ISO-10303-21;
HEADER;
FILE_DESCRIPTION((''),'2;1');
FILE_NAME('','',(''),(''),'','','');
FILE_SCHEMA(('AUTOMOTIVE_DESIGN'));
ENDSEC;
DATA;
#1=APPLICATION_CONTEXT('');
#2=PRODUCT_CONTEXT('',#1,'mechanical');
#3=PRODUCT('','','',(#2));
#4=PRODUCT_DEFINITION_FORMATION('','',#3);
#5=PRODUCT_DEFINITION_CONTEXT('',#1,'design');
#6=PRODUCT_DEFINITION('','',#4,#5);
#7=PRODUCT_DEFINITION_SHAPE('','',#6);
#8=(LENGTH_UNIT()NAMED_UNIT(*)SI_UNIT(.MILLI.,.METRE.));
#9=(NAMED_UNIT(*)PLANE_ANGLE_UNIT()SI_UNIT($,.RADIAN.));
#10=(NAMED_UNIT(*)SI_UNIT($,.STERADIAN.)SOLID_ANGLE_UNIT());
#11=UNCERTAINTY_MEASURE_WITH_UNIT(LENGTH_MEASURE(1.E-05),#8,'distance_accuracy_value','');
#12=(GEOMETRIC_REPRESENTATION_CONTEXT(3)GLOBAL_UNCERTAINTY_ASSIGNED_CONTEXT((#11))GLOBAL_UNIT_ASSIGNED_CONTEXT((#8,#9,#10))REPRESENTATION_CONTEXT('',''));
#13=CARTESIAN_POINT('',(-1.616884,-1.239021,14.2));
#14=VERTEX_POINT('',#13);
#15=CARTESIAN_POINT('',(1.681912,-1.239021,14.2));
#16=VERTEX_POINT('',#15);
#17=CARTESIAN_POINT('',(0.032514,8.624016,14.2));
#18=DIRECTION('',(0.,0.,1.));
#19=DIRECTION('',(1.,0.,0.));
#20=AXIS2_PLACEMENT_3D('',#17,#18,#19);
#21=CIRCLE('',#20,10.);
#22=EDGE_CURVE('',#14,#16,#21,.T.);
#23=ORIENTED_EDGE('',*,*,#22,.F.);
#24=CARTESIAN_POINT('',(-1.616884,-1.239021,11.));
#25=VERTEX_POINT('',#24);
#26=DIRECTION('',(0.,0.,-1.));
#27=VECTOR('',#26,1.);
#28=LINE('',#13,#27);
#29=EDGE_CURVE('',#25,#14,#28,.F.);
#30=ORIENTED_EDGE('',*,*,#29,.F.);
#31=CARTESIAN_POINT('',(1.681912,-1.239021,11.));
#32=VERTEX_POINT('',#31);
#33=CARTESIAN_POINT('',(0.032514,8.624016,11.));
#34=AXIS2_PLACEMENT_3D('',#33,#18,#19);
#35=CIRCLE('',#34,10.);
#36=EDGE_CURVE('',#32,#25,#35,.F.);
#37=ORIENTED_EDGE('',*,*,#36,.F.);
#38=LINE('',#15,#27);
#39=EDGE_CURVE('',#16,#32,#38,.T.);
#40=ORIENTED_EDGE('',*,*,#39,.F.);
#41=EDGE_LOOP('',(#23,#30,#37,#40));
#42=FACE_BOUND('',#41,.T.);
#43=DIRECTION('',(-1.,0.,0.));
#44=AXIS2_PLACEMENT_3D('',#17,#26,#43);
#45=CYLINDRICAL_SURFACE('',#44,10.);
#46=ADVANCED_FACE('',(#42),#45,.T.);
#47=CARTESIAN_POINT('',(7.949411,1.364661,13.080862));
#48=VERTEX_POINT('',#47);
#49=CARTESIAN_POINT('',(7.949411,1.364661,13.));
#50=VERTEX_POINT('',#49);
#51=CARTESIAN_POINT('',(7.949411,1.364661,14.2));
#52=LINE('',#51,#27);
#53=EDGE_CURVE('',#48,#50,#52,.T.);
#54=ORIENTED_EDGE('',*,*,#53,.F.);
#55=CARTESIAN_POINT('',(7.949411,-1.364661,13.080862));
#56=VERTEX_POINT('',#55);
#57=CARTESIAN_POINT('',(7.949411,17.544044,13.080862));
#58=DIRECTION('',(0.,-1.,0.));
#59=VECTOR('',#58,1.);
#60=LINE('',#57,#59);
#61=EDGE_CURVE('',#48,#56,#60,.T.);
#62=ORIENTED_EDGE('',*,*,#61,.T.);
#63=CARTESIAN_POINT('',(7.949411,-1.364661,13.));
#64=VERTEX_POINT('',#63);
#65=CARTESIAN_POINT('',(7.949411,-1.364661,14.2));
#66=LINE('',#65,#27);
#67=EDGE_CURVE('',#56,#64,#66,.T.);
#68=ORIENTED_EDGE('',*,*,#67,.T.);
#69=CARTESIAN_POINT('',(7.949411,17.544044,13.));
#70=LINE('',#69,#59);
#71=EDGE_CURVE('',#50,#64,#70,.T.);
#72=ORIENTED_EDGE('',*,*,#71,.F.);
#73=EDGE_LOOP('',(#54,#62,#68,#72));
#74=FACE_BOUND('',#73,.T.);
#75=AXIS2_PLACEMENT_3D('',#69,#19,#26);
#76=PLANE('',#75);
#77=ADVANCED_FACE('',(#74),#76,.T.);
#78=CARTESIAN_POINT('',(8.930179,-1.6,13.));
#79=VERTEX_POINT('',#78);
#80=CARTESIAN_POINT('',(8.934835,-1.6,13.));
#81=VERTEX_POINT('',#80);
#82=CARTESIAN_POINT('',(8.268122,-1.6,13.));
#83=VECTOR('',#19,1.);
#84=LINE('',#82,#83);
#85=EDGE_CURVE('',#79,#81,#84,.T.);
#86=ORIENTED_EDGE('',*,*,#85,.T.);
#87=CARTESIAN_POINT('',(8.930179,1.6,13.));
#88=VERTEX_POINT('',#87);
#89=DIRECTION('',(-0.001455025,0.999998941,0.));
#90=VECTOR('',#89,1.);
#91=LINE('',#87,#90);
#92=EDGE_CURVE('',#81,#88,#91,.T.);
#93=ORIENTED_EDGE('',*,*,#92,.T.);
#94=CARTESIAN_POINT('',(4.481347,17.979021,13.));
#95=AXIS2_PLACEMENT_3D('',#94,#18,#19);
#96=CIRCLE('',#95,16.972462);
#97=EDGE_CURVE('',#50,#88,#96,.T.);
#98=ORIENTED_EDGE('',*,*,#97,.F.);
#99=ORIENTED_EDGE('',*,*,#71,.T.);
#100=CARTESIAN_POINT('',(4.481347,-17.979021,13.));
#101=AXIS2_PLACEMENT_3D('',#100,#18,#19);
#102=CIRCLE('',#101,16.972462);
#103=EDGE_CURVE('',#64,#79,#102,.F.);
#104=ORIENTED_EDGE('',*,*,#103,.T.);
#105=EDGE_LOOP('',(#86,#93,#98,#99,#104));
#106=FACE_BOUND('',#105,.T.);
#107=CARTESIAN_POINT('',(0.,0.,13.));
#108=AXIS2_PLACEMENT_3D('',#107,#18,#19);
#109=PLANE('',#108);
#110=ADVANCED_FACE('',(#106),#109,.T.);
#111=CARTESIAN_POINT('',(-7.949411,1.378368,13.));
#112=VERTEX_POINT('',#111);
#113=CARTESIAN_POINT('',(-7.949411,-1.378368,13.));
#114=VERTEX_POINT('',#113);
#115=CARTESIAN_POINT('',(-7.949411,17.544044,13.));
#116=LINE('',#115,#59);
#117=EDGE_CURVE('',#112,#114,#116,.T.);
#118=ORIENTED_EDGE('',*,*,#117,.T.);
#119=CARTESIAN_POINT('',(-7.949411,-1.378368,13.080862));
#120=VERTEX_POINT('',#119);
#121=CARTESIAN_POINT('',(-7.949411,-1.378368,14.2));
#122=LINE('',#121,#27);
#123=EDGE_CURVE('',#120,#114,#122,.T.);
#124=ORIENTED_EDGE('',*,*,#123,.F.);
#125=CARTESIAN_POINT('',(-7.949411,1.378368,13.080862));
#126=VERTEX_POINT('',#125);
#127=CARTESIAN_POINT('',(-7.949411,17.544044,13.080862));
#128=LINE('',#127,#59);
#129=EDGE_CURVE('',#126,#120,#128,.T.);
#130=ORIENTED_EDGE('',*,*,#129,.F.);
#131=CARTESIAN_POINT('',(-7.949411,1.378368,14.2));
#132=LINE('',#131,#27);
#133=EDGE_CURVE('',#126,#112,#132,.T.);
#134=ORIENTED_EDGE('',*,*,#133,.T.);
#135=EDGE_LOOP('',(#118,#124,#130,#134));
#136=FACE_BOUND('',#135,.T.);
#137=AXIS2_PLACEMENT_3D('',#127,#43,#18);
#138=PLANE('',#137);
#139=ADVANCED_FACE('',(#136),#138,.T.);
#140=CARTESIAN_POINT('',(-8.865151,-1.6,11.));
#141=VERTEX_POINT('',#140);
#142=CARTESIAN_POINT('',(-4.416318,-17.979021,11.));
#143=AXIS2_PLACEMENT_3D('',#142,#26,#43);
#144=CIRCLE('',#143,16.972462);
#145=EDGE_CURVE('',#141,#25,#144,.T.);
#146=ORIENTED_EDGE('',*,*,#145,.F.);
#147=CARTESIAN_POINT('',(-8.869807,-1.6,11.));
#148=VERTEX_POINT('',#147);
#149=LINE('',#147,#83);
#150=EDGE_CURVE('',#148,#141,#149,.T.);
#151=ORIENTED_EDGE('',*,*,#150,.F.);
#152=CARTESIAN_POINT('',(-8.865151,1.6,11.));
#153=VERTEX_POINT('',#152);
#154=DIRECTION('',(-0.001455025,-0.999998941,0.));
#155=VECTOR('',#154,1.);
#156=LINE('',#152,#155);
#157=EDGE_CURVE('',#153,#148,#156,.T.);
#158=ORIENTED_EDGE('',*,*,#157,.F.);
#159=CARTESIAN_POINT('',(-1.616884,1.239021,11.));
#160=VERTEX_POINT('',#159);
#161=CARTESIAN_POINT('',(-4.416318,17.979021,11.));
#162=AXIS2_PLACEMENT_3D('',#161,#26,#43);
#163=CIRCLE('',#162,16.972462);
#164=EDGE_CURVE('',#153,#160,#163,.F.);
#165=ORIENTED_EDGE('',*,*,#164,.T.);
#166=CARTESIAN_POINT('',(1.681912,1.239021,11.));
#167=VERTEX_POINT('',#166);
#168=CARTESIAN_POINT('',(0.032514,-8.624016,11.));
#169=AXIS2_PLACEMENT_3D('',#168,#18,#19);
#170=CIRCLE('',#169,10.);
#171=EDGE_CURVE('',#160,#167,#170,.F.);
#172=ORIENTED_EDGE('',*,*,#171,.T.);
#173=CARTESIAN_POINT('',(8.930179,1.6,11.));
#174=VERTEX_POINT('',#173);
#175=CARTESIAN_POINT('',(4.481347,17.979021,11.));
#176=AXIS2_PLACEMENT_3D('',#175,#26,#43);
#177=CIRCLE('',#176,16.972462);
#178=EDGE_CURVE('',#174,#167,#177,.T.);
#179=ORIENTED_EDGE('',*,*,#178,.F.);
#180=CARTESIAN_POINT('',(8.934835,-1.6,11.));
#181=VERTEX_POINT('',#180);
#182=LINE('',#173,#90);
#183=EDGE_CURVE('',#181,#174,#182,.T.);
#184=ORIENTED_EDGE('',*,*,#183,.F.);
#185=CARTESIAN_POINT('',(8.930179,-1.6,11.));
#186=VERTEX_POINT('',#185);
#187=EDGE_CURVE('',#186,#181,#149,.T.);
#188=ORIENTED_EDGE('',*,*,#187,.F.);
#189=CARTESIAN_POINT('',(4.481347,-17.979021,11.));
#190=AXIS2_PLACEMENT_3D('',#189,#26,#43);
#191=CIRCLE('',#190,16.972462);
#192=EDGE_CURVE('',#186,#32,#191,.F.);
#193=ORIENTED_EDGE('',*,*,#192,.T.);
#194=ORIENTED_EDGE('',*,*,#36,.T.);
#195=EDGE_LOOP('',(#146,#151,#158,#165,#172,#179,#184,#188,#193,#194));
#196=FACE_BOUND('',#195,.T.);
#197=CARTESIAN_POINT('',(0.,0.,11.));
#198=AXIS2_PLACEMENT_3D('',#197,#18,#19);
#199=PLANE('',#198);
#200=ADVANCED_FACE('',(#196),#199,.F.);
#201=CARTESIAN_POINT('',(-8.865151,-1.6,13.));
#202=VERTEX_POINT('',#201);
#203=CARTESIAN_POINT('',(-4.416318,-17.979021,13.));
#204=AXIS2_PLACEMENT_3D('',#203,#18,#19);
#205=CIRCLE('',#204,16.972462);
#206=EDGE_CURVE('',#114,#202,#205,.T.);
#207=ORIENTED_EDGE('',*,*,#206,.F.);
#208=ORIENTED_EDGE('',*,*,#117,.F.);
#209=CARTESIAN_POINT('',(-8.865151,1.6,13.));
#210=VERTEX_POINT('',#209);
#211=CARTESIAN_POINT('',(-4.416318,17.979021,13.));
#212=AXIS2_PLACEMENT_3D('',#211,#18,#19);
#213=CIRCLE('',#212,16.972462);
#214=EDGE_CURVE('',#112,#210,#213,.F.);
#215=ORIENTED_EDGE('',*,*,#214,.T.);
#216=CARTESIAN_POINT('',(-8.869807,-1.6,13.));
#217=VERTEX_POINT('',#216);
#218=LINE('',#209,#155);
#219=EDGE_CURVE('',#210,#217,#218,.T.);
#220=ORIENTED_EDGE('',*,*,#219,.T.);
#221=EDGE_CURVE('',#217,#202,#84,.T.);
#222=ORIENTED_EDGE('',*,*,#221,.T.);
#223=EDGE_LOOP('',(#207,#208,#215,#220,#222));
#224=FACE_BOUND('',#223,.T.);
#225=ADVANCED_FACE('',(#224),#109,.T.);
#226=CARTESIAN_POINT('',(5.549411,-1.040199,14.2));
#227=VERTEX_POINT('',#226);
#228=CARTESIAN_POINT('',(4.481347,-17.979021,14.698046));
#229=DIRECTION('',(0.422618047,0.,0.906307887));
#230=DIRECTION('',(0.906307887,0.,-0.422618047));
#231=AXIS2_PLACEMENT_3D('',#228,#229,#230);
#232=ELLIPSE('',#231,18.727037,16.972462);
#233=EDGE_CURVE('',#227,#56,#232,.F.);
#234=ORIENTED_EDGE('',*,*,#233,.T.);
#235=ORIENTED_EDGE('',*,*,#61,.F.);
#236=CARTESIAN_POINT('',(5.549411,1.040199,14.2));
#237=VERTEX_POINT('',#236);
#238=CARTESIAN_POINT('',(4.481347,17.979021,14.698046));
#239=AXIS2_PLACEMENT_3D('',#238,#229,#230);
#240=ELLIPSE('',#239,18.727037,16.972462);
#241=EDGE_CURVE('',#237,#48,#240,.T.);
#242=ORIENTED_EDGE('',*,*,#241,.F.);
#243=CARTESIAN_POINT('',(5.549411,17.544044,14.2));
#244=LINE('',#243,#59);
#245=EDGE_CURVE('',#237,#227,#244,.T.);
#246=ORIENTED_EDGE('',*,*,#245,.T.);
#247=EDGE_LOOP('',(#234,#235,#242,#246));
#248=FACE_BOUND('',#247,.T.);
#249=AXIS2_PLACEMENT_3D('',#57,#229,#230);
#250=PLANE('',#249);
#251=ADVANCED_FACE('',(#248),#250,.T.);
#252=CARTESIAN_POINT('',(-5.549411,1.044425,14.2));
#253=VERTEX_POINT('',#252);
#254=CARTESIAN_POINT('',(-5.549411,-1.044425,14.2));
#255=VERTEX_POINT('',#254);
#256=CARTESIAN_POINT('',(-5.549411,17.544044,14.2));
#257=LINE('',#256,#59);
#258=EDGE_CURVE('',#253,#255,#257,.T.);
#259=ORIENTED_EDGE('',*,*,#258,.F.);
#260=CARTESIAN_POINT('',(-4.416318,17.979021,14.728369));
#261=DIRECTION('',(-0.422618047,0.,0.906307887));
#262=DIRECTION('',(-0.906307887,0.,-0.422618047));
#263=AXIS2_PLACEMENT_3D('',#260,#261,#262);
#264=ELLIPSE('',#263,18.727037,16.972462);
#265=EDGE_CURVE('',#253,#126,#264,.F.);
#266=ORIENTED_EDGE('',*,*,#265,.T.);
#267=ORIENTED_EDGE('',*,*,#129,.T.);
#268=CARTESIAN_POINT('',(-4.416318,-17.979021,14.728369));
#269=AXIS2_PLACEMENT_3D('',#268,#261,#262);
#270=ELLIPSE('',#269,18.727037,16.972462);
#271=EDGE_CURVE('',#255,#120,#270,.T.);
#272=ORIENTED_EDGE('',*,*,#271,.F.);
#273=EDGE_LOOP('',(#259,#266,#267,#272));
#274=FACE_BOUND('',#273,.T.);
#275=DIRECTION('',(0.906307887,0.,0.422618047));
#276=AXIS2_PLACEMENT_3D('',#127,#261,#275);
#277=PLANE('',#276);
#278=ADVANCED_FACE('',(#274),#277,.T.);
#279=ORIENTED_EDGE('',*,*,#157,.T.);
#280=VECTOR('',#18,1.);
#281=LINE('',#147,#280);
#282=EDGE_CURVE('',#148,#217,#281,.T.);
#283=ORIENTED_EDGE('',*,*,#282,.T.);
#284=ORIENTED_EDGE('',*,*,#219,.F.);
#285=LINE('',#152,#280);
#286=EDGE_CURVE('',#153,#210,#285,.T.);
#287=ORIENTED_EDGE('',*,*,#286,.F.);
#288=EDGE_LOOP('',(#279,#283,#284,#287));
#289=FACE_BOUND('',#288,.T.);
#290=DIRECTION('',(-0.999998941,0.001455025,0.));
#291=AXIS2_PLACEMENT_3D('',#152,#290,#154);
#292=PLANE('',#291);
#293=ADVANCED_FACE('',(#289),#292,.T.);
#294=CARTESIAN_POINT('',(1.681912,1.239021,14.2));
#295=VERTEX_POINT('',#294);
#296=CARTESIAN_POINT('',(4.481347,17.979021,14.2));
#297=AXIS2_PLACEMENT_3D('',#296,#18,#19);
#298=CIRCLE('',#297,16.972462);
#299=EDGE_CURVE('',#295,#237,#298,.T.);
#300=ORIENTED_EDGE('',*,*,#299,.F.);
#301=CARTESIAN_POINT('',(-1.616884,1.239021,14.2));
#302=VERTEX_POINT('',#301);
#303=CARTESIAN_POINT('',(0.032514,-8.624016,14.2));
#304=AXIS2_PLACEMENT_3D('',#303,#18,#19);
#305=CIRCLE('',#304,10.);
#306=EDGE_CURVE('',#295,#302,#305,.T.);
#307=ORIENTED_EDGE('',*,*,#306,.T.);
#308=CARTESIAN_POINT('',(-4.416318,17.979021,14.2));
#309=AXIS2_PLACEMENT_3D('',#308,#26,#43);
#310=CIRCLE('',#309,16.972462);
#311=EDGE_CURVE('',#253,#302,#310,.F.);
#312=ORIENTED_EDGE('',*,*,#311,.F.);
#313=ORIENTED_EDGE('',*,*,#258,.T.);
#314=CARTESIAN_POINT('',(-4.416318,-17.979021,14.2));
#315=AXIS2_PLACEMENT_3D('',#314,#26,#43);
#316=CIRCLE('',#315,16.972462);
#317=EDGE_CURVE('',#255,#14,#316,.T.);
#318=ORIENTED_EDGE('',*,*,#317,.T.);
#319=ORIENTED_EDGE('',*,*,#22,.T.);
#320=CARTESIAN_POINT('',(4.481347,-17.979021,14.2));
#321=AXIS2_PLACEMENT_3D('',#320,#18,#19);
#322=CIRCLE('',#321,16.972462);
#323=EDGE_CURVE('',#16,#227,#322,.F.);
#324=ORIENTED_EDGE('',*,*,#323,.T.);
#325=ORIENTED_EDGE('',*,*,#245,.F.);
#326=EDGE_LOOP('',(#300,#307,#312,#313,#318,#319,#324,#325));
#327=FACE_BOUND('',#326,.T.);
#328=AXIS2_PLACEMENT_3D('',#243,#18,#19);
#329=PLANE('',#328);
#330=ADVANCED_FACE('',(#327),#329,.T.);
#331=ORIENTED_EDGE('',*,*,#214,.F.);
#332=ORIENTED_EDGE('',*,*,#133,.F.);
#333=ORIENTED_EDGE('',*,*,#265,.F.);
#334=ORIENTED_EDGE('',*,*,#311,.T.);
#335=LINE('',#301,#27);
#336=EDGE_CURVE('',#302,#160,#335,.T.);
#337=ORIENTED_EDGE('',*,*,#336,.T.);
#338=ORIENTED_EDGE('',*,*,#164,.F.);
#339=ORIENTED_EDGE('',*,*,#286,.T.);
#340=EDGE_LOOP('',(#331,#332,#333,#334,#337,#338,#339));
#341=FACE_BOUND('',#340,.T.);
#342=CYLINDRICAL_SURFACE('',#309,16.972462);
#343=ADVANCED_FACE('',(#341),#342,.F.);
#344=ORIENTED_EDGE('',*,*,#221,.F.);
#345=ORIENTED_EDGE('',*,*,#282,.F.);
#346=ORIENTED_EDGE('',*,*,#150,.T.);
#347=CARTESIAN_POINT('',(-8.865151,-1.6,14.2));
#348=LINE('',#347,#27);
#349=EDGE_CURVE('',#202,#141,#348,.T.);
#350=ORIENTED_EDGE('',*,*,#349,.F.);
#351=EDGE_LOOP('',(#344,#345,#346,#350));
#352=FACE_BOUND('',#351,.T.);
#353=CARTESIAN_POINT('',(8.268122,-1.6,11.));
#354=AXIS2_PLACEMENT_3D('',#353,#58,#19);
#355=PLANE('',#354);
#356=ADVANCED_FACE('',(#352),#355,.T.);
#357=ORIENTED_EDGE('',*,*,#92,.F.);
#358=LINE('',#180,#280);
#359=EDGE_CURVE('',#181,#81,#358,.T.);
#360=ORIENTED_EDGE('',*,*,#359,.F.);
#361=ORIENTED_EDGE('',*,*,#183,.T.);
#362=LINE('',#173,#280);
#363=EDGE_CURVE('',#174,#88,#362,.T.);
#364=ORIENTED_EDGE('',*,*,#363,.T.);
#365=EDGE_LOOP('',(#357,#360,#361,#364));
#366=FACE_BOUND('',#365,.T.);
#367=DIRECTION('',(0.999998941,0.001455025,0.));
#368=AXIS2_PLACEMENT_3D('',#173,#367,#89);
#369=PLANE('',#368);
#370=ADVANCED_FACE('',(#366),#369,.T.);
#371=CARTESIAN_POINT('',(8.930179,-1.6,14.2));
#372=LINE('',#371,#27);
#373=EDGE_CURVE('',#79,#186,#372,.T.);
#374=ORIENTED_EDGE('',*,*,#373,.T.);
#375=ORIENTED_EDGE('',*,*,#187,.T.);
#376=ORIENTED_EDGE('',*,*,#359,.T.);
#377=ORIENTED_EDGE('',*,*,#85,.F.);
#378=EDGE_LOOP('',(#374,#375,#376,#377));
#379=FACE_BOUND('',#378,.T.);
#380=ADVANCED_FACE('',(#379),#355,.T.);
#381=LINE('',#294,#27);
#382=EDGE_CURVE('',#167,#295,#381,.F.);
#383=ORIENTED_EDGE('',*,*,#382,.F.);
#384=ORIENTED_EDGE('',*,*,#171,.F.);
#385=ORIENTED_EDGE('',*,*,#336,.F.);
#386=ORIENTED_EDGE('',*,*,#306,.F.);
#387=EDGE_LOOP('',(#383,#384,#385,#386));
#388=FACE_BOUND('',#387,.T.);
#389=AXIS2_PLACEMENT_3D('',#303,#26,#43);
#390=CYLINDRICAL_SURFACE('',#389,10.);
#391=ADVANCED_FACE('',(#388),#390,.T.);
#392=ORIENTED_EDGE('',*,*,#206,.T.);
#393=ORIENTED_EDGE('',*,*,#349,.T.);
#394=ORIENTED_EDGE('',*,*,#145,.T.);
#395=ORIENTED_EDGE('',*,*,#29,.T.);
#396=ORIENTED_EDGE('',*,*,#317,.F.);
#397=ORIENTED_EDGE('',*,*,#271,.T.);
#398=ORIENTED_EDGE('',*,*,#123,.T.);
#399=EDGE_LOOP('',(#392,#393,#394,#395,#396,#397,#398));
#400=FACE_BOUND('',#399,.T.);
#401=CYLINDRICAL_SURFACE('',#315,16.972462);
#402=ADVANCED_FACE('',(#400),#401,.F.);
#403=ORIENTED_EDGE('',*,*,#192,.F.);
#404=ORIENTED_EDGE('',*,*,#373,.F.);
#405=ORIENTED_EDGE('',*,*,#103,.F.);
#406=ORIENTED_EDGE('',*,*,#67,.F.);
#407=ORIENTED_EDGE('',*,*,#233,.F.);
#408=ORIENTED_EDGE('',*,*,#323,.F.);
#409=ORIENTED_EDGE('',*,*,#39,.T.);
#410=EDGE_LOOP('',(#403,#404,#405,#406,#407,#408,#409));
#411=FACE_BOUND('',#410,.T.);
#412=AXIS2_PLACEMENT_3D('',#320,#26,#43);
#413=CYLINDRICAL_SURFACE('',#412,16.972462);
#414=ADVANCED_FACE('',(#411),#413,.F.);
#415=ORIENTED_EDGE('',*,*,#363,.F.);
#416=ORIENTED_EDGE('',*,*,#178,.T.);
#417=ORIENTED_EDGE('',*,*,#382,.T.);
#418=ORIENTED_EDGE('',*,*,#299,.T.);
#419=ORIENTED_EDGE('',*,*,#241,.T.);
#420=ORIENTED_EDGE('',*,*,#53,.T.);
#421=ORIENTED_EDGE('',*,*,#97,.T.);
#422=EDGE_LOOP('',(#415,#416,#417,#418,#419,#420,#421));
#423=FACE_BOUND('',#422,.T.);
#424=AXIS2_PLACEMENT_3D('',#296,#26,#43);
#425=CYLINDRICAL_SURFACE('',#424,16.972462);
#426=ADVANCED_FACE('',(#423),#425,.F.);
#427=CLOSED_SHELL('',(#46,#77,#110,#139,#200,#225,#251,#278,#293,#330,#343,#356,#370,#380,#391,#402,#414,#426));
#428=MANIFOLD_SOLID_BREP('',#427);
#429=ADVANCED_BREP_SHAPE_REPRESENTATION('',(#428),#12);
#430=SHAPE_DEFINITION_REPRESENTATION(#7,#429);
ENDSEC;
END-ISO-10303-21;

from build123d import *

# Parameters (mm, degrees)
BOSS_EXTRUDE1_DEPTH = 2
BOSS_EXTRUDE2_DEPTH = 3.2
CUT_EXTRUDE1_DEPTH  = 4.200000092
FILLET1_R           = 10


with BuildPart() as part:
    # Sketch3 → Boss-Extrude1 (new body)
    with BuildSketch(Plane.XY.offset(13)):
        Polygon((-3.57e-07, 1.6), (8.295592088, 1.6), (8.93017926, 1.6), (8.934835346, -1.6), (8.268122338, -1.6), (-8.285812718, -1.6), (-8.869806966, -1.6), (-8.865150879, 1.6), (-8.277696583, 1.6), align=None)
    extrude(amount=-BOSS_EXTRUDE1_DEPTH)

    # Sketch4 → Boss-Extrude2 (add)
    with BuildSketch(Plane.XZ.offset(1.6)):
        Polygon((-7.949410938, 13.000000268), (7.949410938, 13.000000268), (7.949410938, 13.080862351), (5.549410824, 14.200000092), (-5.549410824, 14.200000092), (-7.949410938, 13.080862351), align=None)
    extrude(amount=-BOSS_EXTRUDE2_DEPTH)

    # Sketch5 → Cut-Extrude1 (cut, through all)
    with BuildSketch(Plane(origin=(0, 0, 11), x_dir=(-1, 0, 0), z_dir=(0, 0, -1))):
        with BuildLine():
            ThreePointArc((-0.03251419, -1.6), (-4.481346725, -1.006559792), (-8.93017926, -1.6))
            Line((-8.93017926, -1.6), (-0.03251419, -1.6))
        make_face()
        with BuildLine():
            ThreePointArc((8.865150879, -1.6), (4.416318345, -1.006559792), (-0.03251419, -1.6))
            Line((-0.03251419, -1.6), (8.865150879, -1.6))
        make_face()
        with BuildLine():
            Line((8.865150879, 1.6), (-0.03251419, 1.6))
            ThreePointArc((-0.03251419, 1.6), (4.416318345, 1.006559792), (8.865150879, 1.6))
        make_face()
        with BuildLine():
            Line((-0.03251419, 1.6), (-8.93017926, 1.6))
            ThreePointArc((-8.93017926, 1.6), (-4.481346725, 1.006559792), (-0.03251419, 1.6))
        make_face()
    extrude(amount=-CUT_EXTRUDE1_DEPTH, mode=Mode.SUBTRACT)

    # Fillet1
    fillet1_edges = [part.edges().sort_by_distance(p)[0] for p in [
        (0.03251419, -1.6, 12.600000046),
        (0.03251419, 1.6, 12.600000046),
    ]]
    fillet(fillet1_edges, radius=FILLET1_R)


solid = part.part
